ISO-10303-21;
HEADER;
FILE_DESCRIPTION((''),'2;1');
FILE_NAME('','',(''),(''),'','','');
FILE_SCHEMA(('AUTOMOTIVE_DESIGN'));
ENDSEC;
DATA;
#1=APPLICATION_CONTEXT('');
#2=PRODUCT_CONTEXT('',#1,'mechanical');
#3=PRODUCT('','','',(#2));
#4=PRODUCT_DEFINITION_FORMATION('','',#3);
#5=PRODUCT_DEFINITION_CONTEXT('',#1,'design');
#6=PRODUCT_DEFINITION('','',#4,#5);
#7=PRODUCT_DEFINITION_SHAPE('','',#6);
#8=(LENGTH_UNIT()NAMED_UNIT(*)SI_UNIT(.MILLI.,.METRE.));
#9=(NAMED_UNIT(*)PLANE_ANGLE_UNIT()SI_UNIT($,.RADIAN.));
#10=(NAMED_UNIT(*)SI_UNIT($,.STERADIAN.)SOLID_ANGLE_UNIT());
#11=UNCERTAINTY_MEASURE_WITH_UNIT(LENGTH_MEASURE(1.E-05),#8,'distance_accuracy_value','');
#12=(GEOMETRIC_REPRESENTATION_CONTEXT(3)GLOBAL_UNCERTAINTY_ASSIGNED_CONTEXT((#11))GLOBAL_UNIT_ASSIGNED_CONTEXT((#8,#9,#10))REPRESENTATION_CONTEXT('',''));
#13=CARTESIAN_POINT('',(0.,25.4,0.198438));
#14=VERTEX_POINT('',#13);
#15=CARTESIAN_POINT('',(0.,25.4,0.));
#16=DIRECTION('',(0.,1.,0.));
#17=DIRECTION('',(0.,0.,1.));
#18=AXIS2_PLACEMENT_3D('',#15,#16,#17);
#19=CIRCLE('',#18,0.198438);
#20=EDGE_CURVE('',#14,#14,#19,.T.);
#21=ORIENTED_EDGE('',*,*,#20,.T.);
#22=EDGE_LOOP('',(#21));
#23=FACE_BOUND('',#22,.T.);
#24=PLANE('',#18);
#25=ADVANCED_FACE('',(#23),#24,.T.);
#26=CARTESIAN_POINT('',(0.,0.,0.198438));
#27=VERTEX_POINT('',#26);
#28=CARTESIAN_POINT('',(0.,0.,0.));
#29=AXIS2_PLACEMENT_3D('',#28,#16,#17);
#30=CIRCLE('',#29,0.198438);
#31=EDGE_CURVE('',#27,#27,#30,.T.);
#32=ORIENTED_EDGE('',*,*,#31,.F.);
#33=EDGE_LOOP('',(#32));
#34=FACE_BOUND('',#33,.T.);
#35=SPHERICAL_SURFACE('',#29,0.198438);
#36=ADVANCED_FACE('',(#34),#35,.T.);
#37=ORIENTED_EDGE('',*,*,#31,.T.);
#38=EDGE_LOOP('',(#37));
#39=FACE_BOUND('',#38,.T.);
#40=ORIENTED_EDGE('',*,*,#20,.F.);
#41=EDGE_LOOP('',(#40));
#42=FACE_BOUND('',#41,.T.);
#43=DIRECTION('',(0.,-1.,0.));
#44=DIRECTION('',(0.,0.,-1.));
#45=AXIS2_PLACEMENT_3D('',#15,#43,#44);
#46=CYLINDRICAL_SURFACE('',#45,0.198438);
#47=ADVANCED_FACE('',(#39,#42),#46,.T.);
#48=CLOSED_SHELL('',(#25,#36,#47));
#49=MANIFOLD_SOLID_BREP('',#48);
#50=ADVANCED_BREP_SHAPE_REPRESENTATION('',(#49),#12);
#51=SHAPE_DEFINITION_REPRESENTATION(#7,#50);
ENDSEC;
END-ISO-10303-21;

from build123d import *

# Parameters (mm, degrees)
SKETCH1_R           = 0.1984375
BOSS_EXTRUDE1_DEPTH = 25.4
DOME1_FACE_RADIUS   = 0.1984375
DOME1_HEIGHT        = 0.1984375


with BuildPart() as part:
    # Sketch1 → Boss-Extrude1 (new body)
    with BuildSketch(Plane(origin=(0, 0, 0), x_dir=(1, 0, 0), z_dir=(0, 1, 0))):
        with Locations(Location((0, 0, 0), (0, 0, 270))):
            Circle(SKETCH1_R)
    extrude(amount=BOSS_EXTRUDE1_DEPTH)

    # Dome1: a dome of height H over a round flat face of radius A is a cap of a sphere of radius (A * A + H * H) / (2 * H)
    dome1_r = (DOME1_FACE_RADIUS * DOME1_FACE_RADIUS + DOME1_HEIGHT * DOME1_HEIGHT) / (2 * DOME1_HEIGHT)
    dome1_base = Plane((0, 0, 0), z_dir=(0, -1, 0))
    with Locations(dome1_base.offset(DOME1_HEIGHT - dome1_r)):
        dome1_ball = Sphere(dome1_r, mode=Mode.PRIVATE)
    add(split(dome1_ball, bisect_by=dome1_base, keep=Keep.TOP, mode=Mode.PRIVATE))


solid = part.part
